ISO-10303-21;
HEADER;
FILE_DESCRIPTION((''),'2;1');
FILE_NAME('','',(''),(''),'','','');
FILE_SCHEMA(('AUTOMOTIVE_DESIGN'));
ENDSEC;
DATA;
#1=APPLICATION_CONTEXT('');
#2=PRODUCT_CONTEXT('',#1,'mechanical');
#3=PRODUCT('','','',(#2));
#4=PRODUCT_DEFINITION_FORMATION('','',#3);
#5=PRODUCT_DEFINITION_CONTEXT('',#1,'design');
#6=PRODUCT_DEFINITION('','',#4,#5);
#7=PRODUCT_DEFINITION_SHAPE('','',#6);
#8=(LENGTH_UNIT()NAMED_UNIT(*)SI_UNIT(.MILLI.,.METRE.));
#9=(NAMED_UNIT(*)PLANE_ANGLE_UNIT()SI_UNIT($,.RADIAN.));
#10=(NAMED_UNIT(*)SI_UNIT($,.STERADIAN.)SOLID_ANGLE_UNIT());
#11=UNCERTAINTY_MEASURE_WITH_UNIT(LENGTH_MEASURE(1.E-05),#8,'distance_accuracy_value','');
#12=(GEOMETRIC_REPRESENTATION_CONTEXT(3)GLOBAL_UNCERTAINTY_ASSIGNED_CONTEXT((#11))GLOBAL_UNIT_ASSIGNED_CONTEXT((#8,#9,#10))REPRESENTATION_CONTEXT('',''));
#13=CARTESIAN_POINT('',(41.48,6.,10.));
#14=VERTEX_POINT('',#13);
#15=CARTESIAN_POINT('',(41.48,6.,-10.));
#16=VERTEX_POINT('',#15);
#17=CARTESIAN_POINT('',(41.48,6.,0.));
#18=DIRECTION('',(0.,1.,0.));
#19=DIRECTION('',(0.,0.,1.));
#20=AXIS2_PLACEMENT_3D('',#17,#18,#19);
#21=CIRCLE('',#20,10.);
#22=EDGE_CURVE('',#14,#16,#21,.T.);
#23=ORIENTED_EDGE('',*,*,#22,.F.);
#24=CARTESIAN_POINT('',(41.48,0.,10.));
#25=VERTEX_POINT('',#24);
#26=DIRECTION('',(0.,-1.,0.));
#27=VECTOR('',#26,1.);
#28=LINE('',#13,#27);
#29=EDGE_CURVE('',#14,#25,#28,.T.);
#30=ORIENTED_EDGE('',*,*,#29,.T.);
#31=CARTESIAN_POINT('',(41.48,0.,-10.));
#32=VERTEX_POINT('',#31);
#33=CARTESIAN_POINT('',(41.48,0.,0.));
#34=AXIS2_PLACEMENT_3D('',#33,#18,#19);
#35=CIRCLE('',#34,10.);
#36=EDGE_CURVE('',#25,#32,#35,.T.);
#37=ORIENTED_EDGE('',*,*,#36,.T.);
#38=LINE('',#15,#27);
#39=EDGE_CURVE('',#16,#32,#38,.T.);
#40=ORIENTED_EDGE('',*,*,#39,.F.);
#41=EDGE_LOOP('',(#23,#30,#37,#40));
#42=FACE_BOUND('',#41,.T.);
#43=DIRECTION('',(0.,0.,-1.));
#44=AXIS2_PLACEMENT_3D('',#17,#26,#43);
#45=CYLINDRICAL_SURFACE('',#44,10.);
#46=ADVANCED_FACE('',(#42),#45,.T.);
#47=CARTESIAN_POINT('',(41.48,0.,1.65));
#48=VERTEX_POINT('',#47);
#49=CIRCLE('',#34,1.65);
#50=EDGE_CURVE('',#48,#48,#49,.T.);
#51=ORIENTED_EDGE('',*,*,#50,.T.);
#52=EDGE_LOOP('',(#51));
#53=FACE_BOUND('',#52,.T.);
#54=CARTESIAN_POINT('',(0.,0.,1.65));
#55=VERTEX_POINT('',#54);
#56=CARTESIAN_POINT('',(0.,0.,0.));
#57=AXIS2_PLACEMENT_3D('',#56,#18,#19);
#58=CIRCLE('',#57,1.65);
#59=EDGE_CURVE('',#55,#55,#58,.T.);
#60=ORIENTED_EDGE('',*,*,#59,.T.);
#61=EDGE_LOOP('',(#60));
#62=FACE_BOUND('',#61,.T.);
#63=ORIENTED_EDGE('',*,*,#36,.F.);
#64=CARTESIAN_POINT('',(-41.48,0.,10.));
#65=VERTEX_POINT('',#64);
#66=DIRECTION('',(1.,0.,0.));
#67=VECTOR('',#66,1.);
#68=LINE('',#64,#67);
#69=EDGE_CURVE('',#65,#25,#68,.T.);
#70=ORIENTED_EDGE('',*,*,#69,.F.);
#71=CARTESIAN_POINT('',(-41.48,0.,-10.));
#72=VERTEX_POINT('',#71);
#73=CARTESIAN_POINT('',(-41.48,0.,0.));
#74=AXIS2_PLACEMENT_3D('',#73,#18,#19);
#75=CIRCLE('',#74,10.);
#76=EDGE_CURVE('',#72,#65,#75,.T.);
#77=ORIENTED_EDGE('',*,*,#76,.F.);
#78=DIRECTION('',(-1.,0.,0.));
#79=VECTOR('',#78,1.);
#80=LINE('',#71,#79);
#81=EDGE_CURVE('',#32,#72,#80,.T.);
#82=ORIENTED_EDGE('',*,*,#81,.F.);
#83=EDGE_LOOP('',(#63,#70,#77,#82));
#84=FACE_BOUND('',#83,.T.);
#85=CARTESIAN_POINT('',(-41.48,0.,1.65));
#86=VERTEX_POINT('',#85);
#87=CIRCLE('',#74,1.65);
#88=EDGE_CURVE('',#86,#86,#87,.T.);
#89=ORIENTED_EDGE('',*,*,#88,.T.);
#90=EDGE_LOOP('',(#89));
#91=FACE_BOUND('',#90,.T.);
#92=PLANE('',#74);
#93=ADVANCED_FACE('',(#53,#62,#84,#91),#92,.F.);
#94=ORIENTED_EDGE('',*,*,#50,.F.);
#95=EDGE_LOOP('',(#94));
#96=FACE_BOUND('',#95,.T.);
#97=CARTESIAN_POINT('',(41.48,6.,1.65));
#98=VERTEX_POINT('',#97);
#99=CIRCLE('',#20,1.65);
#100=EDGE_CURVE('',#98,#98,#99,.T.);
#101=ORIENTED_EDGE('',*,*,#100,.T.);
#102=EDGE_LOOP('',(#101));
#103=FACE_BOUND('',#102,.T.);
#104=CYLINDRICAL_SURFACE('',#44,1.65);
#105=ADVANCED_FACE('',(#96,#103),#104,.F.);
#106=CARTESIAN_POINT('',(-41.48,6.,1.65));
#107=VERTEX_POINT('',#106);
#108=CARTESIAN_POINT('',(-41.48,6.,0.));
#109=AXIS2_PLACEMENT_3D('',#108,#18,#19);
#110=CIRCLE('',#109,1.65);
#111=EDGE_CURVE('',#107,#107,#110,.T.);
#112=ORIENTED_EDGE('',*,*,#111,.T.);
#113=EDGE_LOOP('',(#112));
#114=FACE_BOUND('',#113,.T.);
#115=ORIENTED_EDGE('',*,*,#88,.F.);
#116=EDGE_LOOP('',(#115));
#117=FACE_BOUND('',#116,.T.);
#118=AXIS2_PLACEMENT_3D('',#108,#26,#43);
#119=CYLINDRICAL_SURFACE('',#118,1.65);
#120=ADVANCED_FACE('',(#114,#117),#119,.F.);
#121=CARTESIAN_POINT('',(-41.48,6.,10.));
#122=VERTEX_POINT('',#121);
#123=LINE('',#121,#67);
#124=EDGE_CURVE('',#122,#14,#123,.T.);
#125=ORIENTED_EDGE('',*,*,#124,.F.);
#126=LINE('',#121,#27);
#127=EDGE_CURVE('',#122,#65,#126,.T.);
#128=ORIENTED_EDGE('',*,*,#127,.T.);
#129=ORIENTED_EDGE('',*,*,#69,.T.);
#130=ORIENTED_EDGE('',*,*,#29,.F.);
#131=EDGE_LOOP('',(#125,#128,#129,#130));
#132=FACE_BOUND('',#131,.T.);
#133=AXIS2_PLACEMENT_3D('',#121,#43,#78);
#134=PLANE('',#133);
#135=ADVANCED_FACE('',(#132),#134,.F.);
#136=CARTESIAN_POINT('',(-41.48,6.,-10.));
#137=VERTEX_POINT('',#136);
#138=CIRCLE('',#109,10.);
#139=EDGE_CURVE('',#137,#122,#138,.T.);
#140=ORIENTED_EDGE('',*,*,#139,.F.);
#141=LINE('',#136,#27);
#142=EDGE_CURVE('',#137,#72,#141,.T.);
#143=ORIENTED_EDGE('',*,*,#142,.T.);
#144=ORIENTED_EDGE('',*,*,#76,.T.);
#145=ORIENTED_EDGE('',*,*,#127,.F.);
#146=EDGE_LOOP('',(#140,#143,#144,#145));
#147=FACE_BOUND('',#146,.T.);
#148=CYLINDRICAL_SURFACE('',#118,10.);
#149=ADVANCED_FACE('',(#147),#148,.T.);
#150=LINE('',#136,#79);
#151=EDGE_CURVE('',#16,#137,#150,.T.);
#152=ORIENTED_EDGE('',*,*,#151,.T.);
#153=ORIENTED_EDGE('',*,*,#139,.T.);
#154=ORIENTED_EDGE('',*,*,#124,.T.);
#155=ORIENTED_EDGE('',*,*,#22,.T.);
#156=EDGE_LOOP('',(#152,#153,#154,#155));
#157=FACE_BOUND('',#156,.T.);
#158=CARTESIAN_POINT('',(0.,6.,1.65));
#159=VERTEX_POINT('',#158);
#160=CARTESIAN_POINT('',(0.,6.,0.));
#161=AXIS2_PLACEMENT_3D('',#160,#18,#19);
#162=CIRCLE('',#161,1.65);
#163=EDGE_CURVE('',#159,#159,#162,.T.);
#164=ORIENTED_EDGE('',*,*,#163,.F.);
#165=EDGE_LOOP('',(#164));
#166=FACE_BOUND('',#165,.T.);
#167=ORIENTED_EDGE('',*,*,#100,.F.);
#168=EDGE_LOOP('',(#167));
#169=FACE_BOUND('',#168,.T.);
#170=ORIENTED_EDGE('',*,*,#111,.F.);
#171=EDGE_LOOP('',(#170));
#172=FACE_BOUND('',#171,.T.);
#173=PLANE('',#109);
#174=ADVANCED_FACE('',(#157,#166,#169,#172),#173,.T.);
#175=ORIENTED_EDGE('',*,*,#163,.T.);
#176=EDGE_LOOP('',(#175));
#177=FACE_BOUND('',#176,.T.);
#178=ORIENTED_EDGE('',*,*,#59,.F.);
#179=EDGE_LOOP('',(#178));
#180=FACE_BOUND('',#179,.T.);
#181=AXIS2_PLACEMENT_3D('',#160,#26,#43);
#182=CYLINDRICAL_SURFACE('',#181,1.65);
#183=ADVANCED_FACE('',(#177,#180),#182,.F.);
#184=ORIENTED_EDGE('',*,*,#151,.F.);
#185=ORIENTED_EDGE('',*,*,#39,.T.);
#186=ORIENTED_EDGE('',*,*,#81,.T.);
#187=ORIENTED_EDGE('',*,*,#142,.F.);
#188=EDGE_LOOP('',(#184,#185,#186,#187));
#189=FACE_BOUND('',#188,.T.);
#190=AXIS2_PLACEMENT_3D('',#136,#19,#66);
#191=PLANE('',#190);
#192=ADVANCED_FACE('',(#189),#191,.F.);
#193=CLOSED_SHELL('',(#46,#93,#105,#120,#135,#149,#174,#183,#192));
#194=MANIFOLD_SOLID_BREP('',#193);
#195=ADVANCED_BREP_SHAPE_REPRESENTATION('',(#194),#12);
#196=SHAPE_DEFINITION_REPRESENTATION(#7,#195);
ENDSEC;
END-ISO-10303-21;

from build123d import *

# Parameters (mm, degrees)
SKETCH1_R           = 1.65
BOSS_EXTRUDE1_DEPTH = 6


with BuildPart() as part:
    # Sketch1 → Boss-Extrude1 (new body)
    with BuildSketch(Plane(origin=(0, 0, 0), x_dir=(1, 0, 0), z_dir=(0, 1, 0))):
        with BuildLine():
            Line((-41.48, 10), (41.48, 10))
            ThreePointArc((41.48, 10), (51.48, 0), (41.48, -10))
            Line((41.48, -10), (-41.48, -10))
            ThreePointArc((-41.48, -10), (-51.48, 0), (-41.48, 10))
        make_face()
        with Locations(Location((-41.48, 0, 0), (0, 0, 270))):
            Circle(SKETCH1_R, mode=Mode.SUBTRACT)
        with Locations(Location((41.48, 0, 0), (0, 0, 270))):
            Circle(SKETCH1_R, mode=Mode.SUBTRACT)
        with Locations(Location((0, 0, 0), (0, 0, 270))):
            Circle(SKETCH1_R, mode=Mode.SUBTRACT)
    extrude(amount=BOSS_EXTRUDE1_DEPTH)


solid = part.part
